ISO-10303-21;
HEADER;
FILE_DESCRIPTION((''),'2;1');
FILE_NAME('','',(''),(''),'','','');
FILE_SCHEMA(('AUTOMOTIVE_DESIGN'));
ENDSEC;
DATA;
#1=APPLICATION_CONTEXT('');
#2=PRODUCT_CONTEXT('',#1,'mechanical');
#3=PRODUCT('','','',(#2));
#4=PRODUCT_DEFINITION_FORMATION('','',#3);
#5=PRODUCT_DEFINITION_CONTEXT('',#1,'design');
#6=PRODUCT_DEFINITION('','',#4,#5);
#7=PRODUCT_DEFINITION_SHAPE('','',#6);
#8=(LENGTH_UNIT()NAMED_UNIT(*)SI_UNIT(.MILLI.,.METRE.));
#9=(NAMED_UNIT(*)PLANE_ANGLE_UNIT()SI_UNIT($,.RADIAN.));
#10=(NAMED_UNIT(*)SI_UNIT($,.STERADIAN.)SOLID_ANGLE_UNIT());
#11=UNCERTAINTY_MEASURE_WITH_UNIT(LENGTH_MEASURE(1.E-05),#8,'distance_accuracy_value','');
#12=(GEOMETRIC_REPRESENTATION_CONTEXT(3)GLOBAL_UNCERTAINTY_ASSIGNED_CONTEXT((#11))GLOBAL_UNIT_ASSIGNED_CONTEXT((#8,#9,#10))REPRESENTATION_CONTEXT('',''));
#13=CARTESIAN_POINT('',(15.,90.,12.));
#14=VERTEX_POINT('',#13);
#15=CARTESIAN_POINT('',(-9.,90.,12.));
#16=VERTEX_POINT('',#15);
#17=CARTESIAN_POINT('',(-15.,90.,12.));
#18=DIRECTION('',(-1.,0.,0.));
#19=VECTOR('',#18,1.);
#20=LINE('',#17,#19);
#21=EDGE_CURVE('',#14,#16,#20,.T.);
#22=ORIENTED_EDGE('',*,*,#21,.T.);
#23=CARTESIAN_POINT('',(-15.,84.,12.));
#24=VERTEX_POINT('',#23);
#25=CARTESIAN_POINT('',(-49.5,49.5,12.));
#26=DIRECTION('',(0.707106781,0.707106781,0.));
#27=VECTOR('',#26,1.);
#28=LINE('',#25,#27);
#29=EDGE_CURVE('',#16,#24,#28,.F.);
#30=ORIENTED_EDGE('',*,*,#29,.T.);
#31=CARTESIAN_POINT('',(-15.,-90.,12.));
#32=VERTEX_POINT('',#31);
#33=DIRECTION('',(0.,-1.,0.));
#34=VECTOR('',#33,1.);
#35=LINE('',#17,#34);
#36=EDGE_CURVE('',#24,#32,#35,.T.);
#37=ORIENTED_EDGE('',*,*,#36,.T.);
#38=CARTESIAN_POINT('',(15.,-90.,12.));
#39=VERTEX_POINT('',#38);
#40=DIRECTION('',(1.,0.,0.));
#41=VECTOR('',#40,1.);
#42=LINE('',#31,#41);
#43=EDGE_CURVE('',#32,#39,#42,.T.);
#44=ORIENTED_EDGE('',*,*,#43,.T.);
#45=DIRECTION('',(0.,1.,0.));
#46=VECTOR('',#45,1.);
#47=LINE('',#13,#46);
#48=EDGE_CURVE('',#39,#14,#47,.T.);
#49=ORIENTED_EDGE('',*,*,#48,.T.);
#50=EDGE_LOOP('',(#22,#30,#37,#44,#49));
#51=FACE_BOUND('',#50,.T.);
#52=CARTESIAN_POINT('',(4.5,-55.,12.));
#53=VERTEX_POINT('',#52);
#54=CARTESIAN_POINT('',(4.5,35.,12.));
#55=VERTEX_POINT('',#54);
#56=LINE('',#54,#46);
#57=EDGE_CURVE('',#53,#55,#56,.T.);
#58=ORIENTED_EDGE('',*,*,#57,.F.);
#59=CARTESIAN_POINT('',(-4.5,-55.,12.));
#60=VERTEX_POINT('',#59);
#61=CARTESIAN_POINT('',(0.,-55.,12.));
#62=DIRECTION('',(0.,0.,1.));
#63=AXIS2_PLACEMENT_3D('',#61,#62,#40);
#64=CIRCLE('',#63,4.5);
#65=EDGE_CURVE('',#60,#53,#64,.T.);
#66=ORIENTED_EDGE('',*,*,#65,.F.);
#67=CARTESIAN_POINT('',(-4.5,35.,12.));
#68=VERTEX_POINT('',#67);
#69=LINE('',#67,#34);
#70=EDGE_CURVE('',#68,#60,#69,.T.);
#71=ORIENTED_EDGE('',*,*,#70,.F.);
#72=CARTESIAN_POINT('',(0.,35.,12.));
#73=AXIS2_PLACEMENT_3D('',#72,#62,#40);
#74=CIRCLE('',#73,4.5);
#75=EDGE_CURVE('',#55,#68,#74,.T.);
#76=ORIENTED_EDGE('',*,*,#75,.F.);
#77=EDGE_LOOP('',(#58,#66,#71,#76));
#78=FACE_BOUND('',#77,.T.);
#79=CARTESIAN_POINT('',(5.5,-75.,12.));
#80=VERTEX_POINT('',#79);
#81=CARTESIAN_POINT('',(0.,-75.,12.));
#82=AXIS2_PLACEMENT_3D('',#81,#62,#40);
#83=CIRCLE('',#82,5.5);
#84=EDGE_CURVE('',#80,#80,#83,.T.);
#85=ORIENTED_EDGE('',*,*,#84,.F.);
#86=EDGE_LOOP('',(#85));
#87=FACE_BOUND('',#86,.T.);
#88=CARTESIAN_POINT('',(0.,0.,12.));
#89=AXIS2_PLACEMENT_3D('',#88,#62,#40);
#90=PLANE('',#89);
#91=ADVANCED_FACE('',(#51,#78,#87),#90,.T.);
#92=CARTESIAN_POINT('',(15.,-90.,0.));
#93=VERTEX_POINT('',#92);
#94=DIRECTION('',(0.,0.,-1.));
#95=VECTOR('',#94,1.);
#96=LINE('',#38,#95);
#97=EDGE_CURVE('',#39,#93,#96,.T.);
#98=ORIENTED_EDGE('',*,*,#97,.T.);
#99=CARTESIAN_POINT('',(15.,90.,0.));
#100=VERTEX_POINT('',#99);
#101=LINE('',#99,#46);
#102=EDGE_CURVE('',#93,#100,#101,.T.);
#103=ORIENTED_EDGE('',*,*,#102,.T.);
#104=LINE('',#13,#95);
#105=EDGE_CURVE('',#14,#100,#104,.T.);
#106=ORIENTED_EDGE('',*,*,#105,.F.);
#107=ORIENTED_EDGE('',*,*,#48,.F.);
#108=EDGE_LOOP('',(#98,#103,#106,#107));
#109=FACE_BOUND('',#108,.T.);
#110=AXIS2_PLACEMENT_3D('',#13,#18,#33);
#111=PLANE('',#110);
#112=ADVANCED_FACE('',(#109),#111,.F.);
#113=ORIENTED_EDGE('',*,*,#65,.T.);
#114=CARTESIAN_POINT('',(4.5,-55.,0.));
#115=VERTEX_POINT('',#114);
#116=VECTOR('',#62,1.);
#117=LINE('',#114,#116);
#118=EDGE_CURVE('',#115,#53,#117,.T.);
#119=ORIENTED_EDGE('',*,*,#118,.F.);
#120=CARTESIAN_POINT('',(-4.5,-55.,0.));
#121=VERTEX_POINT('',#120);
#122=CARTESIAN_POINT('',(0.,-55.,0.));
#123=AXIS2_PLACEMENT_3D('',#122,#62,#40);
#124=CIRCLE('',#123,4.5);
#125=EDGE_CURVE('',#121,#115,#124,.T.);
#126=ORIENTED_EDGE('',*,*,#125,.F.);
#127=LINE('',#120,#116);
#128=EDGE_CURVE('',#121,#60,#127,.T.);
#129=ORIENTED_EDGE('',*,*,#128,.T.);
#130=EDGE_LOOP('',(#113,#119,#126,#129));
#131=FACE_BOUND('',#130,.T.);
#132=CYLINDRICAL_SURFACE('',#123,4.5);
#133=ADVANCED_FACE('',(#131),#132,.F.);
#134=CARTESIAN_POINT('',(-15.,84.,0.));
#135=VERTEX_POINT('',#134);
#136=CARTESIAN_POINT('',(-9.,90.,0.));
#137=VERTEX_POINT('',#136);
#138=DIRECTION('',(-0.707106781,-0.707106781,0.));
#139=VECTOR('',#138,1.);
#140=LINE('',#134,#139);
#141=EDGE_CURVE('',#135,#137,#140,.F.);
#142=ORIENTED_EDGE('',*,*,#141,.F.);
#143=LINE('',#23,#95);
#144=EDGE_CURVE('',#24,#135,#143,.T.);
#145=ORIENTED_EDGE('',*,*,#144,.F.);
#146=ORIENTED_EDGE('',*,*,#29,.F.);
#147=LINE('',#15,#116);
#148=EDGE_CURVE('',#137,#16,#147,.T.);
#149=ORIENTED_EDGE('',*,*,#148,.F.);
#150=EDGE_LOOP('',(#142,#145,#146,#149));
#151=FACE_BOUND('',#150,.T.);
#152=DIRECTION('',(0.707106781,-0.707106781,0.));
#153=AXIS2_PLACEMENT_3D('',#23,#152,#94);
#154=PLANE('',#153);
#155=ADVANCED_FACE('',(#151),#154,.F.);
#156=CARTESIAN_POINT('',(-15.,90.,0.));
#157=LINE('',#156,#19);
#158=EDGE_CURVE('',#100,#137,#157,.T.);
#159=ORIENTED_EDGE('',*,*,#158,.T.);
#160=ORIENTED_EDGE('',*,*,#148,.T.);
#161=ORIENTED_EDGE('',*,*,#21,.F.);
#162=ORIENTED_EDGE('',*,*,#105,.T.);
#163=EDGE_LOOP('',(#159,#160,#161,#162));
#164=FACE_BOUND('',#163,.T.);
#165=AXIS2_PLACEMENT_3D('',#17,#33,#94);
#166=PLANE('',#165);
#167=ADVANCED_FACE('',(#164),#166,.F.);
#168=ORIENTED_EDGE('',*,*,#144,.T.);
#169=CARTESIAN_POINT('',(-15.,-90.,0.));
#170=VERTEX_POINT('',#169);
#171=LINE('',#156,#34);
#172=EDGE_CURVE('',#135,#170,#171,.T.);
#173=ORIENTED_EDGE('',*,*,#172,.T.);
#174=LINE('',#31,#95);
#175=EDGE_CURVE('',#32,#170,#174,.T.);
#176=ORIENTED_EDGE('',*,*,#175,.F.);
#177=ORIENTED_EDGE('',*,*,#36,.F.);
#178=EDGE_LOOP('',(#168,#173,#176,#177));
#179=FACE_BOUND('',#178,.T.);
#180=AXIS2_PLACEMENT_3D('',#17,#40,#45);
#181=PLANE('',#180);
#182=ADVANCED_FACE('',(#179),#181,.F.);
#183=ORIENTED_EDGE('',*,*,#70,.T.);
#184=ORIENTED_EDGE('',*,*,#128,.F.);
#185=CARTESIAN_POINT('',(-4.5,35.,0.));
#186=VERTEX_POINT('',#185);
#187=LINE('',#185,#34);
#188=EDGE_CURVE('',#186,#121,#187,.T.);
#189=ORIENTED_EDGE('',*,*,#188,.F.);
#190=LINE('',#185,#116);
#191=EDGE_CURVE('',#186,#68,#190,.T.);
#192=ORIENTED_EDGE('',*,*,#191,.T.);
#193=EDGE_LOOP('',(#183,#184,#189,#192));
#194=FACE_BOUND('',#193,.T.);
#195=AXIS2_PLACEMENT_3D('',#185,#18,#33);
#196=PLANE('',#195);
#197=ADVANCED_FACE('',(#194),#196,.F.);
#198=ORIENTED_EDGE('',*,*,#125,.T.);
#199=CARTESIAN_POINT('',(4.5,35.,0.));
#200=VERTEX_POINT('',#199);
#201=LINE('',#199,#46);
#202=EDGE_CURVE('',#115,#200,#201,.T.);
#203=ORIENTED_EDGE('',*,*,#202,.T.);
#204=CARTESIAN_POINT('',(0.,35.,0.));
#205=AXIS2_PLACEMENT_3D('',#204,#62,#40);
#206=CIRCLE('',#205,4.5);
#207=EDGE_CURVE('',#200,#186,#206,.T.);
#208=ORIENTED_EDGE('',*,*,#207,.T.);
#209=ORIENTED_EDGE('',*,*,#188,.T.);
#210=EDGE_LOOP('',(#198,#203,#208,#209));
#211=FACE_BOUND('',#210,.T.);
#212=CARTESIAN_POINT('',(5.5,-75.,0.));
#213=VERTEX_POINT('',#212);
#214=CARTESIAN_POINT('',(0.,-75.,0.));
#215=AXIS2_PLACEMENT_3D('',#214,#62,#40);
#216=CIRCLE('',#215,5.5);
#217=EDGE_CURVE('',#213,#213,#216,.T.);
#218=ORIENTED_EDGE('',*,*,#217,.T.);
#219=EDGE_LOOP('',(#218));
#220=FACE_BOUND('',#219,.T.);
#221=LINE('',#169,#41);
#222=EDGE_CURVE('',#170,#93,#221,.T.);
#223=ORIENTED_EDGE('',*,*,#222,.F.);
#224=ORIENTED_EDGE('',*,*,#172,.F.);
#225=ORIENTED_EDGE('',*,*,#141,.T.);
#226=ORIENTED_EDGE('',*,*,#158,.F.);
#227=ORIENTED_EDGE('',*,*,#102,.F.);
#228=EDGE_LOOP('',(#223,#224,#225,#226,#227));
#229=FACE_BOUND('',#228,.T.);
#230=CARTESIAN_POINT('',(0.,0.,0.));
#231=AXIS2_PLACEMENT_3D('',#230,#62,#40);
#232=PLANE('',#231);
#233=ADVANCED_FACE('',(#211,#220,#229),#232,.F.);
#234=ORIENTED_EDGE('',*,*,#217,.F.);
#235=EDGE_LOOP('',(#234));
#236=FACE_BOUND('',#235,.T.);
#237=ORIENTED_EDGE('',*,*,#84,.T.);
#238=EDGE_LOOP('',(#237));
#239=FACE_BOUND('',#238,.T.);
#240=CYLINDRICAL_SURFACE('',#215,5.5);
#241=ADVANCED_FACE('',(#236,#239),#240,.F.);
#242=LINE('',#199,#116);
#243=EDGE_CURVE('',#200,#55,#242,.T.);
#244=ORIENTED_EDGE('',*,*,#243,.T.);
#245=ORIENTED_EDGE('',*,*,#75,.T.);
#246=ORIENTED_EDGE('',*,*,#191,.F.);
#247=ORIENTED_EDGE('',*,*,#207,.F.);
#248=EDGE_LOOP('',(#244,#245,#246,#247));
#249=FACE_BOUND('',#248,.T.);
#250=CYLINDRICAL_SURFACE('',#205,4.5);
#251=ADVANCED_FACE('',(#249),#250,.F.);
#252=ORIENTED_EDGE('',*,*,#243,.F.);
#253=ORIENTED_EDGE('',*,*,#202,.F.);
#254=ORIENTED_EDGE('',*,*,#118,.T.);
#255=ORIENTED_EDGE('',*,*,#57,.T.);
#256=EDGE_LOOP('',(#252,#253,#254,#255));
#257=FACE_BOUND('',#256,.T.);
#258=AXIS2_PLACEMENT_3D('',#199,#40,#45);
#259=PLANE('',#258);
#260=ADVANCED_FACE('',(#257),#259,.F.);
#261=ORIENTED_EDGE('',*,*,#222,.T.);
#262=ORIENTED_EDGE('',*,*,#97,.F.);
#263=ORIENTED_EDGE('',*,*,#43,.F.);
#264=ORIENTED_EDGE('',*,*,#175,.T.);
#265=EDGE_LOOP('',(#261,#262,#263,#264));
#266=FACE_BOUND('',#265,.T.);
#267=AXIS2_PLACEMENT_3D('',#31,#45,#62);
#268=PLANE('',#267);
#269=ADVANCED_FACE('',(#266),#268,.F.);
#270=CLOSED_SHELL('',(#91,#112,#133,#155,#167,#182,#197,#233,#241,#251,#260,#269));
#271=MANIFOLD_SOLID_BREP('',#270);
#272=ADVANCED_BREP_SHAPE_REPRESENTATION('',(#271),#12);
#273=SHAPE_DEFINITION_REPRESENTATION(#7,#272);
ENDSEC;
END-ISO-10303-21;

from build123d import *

# Parameters (mm, degrees)
SKETCH_1_W          = 30
SKETCH_1_H          = 180
EXTRUDE_1_DEPTH     = 12
SKETCH_2_R          = 5.5
CUT_EXTRUDE_1_DEPTH = 12
CHAMFER_1_SIZE      = 6


with BuildPart() as part:
    # 草图1 → 凸台-拉伸1 (new body)
    with BuildSketch(Plane.XY):
        Rectangle(SKETCH_1_W, SKETCH_1_H)
    extrude(amount=EXTRUDE_1_DEPTH)

    # 草图2 → 切除-拉伸1 (cut)
    with BuildSketch(Plane.XY.offset(12)):
        with Locations((0, -75)):
            Circle(SKETCH_2_R)
        with BuildLine():
            Line((4.5, 35), (4.5, -55))
            ThreePointArc((4.5, -55), (0, -59.5), (-4.5, -55))
            Line((-4.5, -55), (-4.5, 35))
            ThreePointArc((-4.5, 35), (0, 39.5), (4.5, 35))
        make_face()
    extrude(amount=-CUT_EXTRUDE_1_DEPTH, mode=Mode.SUBTRACT)

    # 倒角1
    chamfer_1_edges = [part.edges().sort_by_distance(p)[0] for p in [
        (-15, 90, 6),
    ]]
    chamfer(chamfer_1_edges, length=CHAMFER_1_SIZE)


solid = part.part
